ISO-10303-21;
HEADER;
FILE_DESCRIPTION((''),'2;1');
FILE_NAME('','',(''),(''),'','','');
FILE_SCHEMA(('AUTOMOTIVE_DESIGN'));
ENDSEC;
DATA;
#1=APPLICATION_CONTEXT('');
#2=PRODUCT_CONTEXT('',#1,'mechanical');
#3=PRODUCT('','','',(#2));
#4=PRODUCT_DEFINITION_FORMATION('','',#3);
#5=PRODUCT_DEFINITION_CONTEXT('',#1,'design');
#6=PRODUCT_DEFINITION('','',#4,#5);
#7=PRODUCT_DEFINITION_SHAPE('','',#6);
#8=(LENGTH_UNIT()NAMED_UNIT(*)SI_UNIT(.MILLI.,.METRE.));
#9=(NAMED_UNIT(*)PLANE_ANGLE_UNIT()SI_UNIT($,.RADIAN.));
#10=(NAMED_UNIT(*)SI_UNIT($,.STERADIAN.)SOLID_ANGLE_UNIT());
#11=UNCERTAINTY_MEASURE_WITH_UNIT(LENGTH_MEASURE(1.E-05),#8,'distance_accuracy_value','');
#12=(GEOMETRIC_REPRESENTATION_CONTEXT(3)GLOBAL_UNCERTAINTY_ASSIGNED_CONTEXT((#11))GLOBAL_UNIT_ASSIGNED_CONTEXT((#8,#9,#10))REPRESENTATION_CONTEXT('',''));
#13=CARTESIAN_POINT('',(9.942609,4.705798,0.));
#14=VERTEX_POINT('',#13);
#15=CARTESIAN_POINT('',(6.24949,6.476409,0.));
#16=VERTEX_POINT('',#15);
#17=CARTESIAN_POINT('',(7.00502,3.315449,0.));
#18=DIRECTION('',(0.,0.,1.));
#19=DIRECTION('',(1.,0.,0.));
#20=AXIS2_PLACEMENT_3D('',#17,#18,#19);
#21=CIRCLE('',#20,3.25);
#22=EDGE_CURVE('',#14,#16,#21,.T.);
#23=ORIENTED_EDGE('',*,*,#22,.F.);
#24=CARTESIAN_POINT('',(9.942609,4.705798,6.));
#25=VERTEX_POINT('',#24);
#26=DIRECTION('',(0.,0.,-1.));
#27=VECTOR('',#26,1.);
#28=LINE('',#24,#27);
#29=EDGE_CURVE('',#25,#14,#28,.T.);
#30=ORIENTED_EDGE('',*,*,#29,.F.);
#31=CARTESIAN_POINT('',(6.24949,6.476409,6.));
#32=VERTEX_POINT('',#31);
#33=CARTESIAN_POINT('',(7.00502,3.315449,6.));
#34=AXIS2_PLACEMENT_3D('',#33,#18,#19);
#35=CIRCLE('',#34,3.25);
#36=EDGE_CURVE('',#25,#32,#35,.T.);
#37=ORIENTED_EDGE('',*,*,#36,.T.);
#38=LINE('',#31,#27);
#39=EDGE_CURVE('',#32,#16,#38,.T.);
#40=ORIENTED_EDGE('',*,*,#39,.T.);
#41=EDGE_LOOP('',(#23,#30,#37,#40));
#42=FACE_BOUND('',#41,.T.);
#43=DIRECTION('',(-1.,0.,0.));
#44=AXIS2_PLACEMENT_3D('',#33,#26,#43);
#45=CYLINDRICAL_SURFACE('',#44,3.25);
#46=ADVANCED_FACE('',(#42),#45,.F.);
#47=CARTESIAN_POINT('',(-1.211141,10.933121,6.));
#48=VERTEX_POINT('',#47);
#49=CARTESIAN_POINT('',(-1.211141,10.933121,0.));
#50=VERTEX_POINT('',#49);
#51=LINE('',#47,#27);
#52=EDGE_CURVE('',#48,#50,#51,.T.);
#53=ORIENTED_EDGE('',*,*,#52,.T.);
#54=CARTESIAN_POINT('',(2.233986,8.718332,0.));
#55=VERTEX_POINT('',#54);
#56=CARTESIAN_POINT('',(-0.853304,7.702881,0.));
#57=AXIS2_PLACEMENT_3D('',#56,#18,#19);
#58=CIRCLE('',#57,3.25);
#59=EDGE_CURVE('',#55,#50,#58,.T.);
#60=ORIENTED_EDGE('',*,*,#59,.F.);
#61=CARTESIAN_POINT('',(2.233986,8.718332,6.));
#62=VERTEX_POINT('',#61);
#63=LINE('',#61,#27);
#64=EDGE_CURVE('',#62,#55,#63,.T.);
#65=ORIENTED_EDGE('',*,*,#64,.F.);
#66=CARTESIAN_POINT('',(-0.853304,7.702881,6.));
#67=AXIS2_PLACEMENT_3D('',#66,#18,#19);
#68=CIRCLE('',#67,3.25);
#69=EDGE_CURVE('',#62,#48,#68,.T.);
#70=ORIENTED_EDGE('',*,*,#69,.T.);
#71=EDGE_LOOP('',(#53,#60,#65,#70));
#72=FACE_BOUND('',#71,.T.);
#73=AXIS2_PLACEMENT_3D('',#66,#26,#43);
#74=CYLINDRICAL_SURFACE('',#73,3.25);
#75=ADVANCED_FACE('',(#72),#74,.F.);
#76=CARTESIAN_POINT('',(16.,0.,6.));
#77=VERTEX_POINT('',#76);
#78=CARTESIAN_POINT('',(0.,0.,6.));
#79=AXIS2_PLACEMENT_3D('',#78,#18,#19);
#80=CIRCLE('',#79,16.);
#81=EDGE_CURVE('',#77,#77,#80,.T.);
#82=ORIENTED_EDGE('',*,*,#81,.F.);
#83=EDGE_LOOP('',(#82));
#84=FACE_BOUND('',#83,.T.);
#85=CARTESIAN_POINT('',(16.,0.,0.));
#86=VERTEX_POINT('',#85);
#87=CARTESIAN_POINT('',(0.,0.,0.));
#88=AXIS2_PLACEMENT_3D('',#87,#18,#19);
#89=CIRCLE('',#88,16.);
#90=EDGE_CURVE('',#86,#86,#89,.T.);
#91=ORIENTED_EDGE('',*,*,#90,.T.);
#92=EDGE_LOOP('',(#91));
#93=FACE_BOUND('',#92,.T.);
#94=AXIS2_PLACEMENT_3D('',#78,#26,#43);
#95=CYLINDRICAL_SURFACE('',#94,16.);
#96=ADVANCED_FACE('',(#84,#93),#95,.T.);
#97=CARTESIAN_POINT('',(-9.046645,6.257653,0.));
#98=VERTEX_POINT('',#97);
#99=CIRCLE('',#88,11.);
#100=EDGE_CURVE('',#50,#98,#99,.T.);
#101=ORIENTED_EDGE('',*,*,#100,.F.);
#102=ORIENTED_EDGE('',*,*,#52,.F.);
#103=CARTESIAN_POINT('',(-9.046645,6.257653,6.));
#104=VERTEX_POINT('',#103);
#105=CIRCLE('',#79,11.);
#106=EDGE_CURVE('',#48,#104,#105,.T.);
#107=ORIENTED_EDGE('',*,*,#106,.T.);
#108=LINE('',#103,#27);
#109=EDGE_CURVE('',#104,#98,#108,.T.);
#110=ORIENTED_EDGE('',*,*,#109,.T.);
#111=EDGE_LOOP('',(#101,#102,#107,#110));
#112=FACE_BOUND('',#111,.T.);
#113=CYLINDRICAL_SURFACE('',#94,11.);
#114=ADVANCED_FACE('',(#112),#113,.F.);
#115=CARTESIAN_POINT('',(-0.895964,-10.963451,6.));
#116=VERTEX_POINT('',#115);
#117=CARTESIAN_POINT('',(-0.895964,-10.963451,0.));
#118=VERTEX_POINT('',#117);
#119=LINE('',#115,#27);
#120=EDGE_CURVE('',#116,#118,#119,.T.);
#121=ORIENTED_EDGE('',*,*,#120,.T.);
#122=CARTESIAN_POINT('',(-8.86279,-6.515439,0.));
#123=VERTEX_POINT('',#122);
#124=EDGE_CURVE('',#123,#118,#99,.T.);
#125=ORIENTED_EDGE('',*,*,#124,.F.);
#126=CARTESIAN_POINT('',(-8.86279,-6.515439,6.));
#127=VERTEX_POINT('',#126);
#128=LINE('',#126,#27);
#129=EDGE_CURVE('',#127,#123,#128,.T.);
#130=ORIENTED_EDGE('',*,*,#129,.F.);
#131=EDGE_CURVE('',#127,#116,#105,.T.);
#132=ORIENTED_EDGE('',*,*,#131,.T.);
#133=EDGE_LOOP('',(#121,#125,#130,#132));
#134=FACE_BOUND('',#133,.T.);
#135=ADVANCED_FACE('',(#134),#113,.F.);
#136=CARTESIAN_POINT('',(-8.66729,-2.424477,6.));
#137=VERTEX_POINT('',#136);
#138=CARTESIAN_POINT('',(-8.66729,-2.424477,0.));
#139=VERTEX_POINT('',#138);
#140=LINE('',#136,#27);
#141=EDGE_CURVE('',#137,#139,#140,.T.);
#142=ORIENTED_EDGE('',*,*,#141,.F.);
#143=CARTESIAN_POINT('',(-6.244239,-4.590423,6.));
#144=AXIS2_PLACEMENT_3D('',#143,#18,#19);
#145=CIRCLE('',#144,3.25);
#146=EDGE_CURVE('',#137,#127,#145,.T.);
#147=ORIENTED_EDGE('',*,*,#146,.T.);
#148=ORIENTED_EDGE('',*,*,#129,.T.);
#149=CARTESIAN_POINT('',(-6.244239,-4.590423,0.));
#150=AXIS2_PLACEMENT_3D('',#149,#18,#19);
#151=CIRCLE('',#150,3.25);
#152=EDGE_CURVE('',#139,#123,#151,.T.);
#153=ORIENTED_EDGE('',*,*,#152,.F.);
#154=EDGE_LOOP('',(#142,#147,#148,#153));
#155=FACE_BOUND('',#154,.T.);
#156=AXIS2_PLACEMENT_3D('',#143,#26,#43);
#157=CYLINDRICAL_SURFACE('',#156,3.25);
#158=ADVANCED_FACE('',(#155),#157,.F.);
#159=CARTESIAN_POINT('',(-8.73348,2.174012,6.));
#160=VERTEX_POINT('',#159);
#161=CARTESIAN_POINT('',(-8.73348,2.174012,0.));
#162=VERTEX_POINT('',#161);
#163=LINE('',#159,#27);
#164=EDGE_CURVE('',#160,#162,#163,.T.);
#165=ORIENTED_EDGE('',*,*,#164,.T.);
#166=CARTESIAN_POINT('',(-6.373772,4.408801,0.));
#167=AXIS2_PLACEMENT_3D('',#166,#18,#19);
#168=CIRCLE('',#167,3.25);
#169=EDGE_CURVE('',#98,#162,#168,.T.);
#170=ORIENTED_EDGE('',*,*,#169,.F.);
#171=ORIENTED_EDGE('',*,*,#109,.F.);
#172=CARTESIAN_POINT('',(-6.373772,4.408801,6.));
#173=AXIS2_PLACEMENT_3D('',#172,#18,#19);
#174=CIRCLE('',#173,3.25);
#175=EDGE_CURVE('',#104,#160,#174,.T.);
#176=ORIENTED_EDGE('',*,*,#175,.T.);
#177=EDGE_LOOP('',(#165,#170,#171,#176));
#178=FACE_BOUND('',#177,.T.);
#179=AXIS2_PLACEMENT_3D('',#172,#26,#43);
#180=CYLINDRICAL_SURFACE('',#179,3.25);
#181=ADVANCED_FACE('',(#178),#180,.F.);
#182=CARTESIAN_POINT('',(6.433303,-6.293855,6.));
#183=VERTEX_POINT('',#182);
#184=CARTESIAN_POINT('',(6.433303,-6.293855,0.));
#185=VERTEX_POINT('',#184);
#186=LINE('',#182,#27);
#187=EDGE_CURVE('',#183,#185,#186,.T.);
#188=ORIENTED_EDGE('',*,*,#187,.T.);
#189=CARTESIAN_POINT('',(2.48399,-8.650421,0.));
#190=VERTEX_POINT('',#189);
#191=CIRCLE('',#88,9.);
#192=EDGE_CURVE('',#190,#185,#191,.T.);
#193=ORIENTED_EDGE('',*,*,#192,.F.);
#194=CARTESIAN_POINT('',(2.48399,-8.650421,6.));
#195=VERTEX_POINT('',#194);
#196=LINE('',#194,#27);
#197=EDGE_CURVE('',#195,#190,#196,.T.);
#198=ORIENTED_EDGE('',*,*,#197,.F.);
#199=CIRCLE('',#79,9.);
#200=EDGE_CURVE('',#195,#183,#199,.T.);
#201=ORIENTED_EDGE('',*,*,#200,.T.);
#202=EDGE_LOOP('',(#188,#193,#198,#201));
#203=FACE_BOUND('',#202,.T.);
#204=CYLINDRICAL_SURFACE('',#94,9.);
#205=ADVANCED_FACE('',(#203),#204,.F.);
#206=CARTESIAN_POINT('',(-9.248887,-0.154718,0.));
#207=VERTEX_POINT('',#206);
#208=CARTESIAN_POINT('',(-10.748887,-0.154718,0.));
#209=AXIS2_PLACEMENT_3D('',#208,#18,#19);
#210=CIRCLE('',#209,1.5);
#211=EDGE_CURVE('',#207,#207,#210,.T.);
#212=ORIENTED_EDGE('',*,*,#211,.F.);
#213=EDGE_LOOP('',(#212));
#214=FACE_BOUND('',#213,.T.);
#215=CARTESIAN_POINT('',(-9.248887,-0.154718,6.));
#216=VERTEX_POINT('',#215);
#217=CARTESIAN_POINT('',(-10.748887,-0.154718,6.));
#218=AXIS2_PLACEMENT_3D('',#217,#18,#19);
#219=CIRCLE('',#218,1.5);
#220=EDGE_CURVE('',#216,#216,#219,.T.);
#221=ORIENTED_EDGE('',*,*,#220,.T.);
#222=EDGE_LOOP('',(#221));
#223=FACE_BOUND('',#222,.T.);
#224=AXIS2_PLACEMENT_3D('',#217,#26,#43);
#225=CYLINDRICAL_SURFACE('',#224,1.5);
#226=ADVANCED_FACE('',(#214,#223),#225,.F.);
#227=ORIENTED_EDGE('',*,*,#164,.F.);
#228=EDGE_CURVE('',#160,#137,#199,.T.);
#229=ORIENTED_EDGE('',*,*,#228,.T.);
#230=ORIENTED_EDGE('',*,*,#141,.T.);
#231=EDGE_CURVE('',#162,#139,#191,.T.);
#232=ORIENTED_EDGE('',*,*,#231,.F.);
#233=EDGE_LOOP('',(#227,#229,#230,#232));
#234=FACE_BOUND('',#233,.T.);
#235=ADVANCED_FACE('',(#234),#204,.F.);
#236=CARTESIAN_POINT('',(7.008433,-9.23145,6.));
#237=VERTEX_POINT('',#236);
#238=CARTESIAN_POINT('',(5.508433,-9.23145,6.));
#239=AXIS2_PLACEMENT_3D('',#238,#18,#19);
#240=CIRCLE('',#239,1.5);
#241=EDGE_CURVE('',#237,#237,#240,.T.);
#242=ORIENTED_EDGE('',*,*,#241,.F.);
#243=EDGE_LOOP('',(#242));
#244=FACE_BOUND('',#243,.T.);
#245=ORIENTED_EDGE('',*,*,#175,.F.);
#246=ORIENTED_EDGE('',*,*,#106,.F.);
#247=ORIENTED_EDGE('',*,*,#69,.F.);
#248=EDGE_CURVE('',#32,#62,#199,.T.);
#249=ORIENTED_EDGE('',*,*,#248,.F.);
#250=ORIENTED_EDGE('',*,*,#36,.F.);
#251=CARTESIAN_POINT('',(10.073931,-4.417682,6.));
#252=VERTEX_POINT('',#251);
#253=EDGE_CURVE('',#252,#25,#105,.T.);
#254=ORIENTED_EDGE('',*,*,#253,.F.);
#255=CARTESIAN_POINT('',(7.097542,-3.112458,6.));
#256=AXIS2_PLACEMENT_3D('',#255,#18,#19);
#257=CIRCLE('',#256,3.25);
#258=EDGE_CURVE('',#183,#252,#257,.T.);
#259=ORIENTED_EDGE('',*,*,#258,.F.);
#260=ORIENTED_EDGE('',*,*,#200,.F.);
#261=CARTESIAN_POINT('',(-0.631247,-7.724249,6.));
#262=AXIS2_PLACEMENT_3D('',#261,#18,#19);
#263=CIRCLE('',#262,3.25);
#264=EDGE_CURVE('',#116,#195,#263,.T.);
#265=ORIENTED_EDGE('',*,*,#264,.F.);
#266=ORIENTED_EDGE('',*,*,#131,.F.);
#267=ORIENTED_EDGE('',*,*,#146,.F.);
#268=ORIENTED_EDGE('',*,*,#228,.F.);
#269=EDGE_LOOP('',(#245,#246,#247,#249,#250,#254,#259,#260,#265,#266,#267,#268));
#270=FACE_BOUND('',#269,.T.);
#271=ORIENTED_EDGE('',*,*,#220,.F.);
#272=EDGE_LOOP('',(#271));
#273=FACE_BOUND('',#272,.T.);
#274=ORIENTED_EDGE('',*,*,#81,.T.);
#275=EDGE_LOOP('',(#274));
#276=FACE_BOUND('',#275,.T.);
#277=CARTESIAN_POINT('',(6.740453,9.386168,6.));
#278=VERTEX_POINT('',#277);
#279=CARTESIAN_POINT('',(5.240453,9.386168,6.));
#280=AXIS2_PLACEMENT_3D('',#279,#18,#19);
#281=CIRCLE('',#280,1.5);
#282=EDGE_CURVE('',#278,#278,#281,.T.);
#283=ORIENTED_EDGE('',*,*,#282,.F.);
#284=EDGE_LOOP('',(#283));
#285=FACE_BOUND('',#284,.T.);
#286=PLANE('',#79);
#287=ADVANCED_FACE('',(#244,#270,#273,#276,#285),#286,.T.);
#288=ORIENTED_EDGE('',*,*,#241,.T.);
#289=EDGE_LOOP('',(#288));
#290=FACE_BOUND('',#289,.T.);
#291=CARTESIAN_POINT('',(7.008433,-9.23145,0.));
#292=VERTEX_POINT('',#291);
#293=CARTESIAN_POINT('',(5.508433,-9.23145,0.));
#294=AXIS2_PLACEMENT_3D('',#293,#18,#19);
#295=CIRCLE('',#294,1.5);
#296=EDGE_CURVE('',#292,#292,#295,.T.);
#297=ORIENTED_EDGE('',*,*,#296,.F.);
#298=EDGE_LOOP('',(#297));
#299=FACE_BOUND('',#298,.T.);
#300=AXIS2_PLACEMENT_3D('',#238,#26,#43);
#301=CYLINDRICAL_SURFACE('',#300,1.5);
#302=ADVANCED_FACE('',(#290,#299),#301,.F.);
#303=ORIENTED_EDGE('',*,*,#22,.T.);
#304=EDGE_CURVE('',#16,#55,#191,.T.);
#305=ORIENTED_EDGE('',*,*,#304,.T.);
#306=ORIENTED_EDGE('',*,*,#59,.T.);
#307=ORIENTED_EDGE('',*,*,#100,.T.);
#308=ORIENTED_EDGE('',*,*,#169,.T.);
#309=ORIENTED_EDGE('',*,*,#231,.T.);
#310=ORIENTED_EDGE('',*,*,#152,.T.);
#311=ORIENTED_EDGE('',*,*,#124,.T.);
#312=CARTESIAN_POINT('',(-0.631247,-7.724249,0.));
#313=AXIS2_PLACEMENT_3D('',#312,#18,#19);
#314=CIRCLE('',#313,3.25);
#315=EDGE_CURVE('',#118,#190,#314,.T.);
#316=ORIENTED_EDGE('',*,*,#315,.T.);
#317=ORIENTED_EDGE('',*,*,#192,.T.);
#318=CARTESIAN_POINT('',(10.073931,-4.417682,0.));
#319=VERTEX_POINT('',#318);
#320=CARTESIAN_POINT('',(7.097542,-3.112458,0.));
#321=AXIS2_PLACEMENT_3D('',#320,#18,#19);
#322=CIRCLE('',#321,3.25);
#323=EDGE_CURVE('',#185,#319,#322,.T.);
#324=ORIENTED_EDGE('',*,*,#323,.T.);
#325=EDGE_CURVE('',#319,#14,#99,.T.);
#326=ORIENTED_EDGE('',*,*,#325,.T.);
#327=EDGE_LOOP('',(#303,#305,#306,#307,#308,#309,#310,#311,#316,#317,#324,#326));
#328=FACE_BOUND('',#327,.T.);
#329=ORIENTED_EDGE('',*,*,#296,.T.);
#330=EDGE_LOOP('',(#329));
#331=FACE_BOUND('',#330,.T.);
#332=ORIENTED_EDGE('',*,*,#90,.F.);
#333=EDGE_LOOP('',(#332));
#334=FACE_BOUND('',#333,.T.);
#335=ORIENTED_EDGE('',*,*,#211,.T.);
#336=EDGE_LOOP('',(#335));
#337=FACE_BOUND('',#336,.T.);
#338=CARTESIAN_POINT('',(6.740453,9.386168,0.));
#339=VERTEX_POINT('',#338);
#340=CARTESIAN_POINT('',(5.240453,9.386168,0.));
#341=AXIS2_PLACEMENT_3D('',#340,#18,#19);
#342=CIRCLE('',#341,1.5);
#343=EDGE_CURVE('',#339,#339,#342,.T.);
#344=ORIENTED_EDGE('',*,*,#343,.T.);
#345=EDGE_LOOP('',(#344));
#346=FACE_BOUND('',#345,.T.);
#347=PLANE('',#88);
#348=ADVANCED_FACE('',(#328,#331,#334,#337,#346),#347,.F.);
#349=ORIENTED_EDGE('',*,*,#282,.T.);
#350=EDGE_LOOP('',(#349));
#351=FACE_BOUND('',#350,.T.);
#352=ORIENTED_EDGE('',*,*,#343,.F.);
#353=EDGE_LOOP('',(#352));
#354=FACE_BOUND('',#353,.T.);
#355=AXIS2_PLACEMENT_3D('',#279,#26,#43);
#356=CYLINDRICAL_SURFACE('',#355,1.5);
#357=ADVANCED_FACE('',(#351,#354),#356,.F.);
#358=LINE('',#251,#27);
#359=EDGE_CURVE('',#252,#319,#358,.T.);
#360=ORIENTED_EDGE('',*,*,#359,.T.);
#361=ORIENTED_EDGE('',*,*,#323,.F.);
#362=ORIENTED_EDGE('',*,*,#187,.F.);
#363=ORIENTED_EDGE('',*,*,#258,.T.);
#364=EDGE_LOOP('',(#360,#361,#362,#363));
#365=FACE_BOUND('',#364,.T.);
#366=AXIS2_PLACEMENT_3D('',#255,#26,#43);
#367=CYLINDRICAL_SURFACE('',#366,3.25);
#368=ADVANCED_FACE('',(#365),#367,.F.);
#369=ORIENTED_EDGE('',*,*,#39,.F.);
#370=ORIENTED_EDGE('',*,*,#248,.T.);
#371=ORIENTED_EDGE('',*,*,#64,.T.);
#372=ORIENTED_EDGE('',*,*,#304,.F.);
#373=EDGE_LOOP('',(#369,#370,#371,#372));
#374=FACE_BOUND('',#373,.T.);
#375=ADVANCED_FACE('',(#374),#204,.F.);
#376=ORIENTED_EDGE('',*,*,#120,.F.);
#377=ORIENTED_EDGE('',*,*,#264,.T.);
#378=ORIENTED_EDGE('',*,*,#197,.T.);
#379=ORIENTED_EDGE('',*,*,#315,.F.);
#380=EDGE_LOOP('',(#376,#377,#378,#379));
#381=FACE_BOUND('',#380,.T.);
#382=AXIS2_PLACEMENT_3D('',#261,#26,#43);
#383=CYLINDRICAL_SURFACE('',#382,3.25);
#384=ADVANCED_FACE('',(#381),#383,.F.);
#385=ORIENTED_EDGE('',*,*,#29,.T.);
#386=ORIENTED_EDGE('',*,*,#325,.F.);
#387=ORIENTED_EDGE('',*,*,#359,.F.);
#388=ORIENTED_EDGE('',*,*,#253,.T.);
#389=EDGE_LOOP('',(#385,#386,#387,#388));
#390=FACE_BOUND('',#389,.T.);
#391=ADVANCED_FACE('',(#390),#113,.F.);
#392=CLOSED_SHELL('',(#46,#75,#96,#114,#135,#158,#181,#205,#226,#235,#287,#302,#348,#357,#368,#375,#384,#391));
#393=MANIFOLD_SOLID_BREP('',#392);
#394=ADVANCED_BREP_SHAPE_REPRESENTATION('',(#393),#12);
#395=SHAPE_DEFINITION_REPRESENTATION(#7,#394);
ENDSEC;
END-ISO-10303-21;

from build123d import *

# Parameters (mm, degrees)
ESQUISSE1_R        = 16
ESQUISSE1_R_2      = 1.5
BOSS_EXTRU_1_DEPTH = 6


with BuildPart() as part:
    # Esquisse1 → Boss.-Extru.1 (new body)
    with BuildSketch(Plane.XY):
        Circle(ESQUISSE1_R)
        with Locations((-10.748886558, -0.154718329)):
            Circle(ESQUISSE1_R_2, mode=Mode.SUBTRACT)
        with Locations((5.240453276, 9.386167986)):
            Circle(ESQUISSE1_R_2, mode=Mode.SUBTRACT)
        with Locations((5.508433282, -9.231449657)):
            Circle(ESQUISSE1_R_2, mode=Mode.SUBTRACT)
        with BuildLine():
            ThreePointArc((-8.667289778, -2.424476831), (-9.490533908, -4.435287826), (-8.862790309, -6.515439198))
            ThreePointArc((-8.862790309, -6.515439198), (-5.362324282, -9.604450963), (-0.895963785, -10.963450593))
            ThreePointArc((-0.895963785, -10.963450593), (1.204207331, -10.406339254), (2.483990345, -8.650421491))
            ThreePointArc((2.483990345, -8.650421491), (4.611711585, -7.728655527), (6.433303415, -6.293854715))
            ThreePointArc((6.433303415, -6.293854715), (8.586338885, -6.001399547), (10.073931017, -4.417681957))
            ThreePointArc((10.073931017, -4.417681957), (10.998860664, 0.15831643), (9.942608619, 4.705797898))
            ThreePointArc((9.942608619, 4.705797898), (8.410050489, 6.246043767), (6.249489591, 6.476409487))
            ThreePointArc((6.249489591, 6.476409487), (4.387356231, 7.858187151), (2.233986363, 8.718331545))
            ThreePointArc((2.233986363, 8.718331545), (0.904195024, 10.436687373), (-1.211140708, 10.933121155))
            ThreePointArc((-1.211140708, 10.933121155), (-5.636536382, 9.446134533), (-9.046644834, 6.257652695))
            ThreePointArc((-9.046644834, 6.257652695), (-9.61425782, 4.160295487), (-8.733479937, 2.174012003))
            ThreePointArc((-8.733479937, 2.174012003), (-8.999067816, -0.129531624), (-8.667289778, -2.424476831))
        make_face(mode=Mode.SUBTRACT)
    extrude(amount=BOSS_EXTRU_1_DEPTH)


solid = part.part
